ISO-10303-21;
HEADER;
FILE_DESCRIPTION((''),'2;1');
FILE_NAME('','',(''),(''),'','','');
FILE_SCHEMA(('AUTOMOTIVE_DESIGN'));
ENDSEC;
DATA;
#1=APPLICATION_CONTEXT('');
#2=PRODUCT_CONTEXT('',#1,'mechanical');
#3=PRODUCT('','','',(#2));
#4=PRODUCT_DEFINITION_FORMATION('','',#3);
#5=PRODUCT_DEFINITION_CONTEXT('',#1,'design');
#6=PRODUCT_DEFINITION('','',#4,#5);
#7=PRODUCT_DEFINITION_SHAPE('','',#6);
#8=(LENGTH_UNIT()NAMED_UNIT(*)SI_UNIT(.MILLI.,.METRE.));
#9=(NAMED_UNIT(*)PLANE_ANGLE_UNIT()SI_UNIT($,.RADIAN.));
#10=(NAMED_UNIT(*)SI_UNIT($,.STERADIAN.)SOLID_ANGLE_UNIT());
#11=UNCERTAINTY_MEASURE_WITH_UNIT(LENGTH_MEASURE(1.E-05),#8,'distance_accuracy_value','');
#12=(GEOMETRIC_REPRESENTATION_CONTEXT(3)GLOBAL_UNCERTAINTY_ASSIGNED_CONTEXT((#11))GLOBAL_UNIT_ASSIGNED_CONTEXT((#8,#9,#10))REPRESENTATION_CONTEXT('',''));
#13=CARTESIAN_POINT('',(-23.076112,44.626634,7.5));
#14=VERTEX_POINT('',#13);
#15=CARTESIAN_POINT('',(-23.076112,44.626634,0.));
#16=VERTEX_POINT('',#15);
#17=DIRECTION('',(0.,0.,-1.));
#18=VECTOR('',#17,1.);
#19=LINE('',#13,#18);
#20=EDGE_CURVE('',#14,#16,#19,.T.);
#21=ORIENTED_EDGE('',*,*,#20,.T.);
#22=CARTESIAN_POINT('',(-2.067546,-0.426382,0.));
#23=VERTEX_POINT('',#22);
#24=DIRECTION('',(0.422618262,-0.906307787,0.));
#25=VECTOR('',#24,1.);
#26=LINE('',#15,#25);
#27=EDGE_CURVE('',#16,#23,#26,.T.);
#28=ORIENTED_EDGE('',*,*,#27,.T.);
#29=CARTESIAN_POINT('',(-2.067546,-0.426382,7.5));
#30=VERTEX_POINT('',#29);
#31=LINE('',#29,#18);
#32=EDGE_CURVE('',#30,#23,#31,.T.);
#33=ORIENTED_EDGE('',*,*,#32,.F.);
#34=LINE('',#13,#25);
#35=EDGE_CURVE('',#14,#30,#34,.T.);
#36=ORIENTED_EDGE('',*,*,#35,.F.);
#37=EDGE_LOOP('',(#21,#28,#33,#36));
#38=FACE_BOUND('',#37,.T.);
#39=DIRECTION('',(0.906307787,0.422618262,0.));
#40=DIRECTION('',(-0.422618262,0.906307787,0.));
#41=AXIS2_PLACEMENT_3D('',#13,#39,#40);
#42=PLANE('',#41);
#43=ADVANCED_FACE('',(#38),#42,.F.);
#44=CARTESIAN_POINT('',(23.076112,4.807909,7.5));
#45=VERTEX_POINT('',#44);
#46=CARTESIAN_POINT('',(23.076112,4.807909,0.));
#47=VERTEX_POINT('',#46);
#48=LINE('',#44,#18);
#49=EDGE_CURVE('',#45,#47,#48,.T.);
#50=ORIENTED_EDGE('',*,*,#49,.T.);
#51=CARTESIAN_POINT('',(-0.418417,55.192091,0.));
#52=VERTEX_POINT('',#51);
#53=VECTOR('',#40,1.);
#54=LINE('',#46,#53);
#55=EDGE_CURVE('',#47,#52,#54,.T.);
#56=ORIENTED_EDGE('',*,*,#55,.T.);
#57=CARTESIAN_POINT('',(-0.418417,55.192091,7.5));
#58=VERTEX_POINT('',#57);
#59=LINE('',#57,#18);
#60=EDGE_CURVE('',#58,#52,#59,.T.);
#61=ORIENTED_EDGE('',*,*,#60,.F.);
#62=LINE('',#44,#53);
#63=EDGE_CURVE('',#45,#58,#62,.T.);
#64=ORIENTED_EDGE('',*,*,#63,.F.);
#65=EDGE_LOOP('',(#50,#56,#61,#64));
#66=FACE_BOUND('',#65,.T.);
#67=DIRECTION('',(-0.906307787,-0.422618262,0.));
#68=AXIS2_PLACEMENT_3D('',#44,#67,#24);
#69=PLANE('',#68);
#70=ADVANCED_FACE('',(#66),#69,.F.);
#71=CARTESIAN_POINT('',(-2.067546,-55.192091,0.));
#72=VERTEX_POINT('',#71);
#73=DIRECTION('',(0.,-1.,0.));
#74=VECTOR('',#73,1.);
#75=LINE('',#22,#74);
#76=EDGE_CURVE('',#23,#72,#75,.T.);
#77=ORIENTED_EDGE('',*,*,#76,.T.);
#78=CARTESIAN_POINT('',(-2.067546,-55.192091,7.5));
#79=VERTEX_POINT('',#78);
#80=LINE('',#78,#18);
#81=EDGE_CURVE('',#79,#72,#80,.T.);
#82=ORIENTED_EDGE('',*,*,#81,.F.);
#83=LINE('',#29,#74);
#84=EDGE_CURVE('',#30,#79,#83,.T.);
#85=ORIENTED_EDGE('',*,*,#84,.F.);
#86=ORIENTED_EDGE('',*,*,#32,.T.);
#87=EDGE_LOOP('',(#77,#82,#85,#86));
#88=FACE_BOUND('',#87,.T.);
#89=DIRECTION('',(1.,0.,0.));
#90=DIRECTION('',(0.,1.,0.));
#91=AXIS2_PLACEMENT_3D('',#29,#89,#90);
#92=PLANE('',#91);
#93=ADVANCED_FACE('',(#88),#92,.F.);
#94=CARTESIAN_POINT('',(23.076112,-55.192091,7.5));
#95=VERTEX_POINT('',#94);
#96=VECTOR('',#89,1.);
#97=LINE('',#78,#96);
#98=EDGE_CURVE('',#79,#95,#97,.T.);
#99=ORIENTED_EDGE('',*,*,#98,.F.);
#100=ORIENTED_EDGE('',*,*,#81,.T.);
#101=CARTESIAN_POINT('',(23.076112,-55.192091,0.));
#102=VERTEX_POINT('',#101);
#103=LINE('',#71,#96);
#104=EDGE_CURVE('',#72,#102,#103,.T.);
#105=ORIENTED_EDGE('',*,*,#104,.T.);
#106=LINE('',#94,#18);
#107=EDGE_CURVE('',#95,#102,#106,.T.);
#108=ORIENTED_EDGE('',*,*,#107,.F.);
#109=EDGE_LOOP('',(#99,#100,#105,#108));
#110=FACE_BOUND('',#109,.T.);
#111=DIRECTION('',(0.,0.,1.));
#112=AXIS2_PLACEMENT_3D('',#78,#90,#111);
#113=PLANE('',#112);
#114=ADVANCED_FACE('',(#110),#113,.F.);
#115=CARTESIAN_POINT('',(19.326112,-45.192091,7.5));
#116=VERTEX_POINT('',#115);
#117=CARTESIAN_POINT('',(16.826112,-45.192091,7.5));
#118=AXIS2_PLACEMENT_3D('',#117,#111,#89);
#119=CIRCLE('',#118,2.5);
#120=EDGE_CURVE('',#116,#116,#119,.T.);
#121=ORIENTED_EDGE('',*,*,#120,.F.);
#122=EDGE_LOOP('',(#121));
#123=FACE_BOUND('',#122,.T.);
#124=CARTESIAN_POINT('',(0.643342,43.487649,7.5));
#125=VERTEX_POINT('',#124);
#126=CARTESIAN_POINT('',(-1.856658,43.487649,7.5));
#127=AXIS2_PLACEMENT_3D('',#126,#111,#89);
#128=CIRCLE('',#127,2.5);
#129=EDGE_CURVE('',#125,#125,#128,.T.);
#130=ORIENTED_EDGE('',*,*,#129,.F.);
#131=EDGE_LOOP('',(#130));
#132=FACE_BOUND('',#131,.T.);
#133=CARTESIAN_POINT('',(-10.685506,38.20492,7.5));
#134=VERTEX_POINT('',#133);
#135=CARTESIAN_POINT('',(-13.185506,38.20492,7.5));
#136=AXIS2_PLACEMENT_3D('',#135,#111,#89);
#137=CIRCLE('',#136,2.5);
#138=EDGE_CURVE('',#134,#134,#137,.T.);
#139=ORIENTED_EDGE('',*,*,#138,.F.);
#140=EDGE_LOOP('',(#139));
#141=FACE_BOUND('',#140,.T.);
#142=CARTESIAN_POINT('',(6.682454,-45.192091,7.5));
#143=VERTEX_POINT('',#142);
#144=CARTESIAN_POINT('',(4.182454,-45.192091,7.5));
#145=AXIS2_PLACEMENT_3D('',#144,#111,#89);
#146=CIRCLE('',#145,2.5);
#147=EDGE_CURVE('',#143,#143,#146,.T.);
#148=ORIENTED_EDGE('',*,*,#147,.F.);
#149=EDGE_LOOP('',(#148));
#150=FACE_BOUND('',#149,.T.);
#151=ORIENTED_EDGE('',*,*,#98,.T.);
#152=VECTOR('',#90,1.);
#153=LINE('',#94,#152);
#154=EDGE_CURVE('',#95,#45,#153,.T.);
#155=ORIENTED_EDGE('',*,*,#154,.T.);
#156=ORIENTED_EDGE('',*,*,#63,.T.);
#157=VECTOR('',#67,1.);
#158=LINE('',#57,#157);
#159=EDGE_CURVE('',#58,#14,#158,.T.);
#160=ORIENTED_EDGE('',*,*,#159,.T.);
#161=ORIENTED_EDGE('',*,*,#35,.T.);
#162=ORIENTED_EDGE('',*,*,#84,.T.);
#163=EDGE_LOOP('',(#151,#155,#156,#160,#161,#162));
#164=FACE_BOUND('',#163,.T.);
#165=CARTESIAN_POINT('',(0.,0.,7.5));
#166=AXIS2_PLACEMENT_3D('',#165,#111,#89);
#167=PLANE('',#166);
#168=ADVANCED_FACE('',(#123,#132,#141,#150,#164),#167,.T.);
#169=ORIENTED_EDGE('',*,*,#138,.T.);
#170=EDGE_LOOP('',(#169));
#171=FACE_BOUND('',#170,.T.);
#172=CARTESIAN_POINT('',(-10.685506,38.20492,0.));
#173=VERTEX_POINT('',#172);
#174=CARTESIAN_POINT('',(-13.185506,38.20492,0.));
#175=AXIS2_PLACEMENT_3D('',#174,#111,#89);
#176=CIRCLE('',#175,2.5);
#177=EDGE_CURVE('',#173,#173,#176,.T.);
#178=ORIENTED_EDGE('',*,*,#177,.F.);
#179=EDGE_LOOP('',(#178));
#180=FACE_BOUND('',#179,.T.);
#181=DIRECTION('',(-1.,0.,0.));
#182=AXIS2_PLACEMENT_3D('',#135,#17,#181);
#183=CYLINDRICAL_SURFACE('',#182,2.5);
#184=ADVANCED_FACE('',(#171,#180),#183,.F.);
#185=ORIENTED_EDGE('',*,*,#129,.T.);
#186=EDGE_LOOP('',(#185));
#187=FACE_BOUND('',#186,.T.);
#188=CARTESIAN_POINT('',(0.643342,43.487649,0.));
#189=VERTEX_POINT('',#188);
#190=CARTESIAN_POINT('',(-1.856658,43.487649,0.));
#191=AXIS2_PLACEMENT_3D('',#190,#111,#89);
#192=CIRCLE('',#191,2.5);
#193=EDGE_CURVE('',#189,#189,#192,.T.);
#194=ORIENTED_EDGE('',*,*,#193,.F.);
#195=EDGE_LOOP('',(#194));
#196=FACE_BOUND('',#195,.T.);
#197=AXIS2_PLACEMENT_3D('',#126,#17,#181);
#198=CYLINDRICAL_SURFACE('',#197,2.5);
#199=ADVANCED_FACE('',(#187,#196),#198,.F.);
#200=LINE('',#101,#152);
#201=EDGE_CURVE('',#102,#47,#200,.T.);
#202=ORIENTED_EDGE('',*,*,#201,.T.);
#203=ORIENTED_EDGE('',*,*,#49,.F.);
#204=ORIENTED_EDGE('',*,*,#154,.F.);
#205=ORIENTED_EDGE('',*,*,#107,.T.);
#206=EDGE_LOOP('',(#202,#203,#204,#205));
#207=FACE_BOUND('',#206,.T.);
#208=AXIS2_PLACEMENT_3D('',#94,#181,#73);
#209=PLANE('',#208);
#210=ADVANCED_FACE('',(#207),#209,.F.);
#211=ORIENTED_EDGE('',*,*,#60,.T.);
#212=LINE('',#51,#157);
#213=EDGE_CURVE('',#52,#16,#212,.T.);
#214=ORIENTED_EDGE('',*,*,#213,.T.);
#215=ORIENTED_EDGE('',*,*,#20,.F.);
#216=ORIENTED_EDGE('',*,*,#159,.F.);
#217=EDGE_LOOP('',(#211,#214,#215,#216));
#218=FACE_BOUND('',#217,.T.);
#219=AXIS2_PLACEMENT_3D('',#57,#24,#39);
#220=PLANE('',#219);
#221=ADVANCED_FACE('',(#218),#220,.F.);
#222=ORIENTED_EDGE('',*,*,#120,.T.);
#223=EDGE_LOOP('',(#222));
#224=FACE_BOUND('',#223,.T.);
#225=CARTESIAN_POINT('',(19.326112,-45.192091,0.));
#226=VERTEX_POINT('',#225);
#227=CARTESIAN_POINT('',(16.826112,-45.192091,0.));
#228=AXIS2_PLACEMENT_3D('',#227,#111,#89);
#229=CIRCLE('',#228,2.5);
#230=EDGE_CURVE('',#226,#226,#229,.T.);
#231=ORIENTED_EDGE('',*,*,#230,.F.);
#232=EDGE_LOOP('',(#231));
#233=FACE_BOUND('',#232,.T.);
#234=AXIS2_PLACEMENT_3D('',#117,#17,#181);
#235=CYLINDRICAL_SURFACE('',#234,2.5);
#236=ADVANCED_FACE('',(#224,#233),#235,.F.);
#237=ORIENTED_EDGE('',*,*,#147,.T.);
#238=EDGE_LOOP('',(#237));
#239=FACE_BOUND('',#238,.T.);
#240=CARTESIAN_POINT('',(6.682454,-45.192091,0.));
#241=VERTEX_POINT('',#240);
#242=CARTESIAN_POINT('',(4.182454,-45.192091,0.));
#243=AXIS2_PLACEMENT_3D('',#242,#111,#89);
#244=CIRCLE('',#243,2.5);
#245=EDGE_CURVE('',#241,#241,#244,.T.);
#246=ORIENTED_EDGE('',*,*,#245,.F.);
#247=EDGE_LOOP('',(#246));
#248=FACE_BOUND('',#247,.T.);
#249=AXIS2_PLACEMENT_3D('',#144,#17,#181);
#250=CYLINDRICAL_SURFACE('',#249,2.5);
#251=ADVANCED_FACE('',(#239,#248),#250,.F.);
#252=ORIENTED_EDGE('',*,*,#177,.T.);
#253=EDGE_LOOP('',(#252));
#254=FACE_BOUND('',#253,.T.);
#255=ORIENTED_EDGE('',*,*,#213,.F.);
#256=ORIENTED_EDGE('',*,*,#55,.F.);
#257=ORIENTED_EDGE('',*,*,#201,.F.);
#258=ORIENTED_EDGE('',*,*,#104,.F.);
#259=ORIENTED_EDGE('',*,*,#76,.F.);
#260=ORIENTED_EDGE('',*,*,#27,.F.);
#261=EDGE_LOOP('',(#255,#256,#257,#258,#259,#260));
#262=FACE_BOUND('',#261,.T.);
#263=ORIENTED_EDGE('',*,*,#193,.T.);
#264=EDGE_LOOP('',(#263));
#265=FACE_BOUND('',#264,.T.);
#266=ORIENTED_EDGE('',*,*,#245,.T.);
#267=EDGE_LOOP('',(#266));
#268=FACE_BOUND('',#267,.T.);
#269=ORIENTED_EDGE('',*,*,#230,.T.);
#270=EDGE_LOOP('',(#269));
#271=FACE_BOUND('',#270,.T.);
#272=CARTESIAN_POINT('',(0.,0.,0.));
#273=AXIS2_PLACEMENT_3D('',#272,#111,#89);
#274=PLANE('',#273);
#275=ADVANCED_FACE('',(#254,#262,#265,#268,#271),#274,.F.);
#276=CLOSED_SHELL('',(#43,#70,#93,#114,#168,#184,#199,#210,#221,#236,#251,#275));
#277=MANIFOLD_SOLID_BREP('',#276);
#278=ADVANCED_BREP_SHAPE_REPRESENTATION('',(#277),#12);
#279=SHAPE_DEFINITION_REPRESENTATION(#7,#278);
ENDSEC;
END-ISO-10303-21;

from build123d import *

# Parameters (mm, degrees)
IZIM1_R                     = 2.5
Y_KSEKLIK_EKSTR_ZYON1_DEPTH = 7.5


with BuildPart() as part:
    # Çizim1 → Yükseklik-Ekstrüzyon1 (new body)
    with BuildSketch(Plane.XY):
        Polygon((23.076112112, -55.192090606), (23.076112112, 4.807909394), (-0.418417437, 55.192090606), (-23.076112112, 44.626634063), (-2.067545518, -0.426382389), (-2.067545518, -55.192090606), align=None)
        with Locations((-13.185505826, 38.204920328)):
            Circle(IZIM1_R, mode=Mode.SUBTRACT)
        with Locations((-1.856658488, 43.4876486)):
            Circle(IZIM1_R, mode=Mode.SUBTRACT)
        with Locations((4.182454482, -45.192090606)):
            Circle(IZIM1_R, mode=Mode.SUBTRACT)
        with Locations((16.826112112, -45.192090606)):
            Circle(IZIM1_R, mode=Mode.SUBTRACT)
    extrude(amount=Y_KSEKLIK_EKSTR_ZYON1_DEPTH)


solid = part.part
